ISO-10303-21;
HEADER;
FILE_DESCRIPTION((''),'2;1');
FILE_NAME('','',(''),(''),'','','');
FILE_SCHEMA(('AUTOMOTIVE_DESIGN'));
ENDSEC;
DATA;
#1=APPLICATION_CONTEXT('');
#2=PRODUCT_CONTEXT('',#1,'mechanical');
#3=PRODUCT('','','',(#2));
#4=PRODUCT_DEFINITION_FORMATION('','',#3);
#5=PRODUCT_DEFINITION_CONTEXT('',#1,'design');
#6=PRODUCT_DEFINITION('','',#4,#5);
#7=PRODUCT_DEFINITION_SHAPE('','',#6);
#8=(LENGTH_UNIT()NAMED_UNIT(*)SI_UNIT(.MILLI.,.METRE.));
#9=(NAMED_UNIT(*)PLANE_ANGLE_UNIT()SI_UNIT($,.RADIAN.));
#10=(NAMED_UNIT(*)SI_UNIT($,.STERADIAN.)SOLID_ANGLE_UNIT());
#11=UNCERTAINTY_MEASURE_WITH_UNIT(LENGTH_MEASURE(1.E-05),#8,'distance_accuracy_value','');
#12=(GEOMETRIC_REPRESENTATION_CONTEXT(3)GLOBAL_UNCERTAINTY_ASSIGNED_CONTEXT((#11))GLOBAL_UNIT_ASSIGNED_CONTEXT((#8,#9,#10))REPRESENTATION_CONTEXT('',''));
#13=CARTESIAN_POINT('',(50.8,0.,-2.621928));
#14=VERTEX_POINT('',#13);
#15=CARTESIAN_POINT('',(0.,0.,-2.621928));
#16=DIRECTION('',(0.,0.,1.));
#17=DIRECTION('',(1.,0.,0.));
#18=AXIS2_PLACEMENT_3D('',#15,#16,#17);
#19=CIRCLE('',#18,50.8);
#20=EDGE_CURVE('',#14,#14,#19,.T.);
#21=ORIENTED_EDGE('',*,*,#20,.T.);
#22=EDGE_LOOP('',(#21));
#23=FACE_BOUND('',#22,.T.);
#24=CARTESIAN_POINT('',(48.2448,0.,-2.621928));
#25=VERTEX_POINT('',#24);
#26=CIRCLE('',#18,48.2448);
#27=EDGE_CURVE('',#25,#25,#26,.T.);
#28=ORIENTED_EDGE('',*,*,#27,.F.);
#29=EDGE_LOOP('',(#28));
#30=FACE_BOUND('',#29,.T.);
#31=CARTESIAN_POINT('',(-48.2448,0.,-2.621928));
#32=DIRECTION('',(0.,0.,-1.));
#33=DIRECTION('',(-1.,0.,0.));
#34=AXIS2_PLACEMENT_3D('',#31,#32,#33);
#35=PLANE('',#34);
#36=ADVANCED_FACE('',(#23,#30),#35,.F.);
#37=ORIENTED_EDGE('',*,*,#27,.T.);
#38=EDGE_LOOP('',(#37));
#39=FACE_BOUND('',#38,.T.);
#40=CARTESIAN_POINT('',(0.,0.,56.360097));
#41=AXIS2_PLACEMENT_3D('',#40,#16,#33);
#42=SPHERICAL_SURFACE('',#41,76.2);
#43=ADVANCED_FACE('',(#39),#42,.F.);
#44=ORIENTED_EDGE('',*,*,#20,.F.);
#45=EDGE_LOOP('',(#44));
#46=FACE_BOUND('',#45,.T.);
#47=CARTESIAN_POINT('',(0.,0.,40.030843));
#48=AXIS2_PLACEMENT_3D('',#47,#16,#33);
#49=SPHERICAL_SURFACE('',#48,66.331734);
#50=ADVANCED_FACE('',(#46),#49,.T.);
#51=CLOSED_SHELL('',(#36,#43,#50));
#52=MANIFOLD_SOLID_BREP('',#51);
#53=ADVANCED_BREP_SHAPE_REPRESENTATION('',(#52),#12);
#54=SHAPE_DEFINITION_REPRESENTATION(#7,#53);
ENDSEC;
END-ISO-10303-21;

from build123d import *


with BuildPart() as part:
    # Sketch2 → Revolve1 (revolve)
    with BuildSketch(Plane(origin=(0, 0, 0), x_dir=(1, 0, 0), z_dir=(0, 1, 0))):
        with BuildLine():
            Line((0, 26.300890152), (0, 19.839902828))
            ThreePointArc((0, 19.839902828), (-25.612591734, 15.406435033), (-48.24480025, 2.621927622))
            Line((-48.24480025, 2.621927622), (-50.8, 2.621927622))
            ThreePointArc((-50.8, 2.621927622), (-28.023799111, 20.090413734), (0, 26.300890152))
        make_face()
    revolve(axis=Axis((0, 0, 0), (0, 0, -1)))


solid = part.part
